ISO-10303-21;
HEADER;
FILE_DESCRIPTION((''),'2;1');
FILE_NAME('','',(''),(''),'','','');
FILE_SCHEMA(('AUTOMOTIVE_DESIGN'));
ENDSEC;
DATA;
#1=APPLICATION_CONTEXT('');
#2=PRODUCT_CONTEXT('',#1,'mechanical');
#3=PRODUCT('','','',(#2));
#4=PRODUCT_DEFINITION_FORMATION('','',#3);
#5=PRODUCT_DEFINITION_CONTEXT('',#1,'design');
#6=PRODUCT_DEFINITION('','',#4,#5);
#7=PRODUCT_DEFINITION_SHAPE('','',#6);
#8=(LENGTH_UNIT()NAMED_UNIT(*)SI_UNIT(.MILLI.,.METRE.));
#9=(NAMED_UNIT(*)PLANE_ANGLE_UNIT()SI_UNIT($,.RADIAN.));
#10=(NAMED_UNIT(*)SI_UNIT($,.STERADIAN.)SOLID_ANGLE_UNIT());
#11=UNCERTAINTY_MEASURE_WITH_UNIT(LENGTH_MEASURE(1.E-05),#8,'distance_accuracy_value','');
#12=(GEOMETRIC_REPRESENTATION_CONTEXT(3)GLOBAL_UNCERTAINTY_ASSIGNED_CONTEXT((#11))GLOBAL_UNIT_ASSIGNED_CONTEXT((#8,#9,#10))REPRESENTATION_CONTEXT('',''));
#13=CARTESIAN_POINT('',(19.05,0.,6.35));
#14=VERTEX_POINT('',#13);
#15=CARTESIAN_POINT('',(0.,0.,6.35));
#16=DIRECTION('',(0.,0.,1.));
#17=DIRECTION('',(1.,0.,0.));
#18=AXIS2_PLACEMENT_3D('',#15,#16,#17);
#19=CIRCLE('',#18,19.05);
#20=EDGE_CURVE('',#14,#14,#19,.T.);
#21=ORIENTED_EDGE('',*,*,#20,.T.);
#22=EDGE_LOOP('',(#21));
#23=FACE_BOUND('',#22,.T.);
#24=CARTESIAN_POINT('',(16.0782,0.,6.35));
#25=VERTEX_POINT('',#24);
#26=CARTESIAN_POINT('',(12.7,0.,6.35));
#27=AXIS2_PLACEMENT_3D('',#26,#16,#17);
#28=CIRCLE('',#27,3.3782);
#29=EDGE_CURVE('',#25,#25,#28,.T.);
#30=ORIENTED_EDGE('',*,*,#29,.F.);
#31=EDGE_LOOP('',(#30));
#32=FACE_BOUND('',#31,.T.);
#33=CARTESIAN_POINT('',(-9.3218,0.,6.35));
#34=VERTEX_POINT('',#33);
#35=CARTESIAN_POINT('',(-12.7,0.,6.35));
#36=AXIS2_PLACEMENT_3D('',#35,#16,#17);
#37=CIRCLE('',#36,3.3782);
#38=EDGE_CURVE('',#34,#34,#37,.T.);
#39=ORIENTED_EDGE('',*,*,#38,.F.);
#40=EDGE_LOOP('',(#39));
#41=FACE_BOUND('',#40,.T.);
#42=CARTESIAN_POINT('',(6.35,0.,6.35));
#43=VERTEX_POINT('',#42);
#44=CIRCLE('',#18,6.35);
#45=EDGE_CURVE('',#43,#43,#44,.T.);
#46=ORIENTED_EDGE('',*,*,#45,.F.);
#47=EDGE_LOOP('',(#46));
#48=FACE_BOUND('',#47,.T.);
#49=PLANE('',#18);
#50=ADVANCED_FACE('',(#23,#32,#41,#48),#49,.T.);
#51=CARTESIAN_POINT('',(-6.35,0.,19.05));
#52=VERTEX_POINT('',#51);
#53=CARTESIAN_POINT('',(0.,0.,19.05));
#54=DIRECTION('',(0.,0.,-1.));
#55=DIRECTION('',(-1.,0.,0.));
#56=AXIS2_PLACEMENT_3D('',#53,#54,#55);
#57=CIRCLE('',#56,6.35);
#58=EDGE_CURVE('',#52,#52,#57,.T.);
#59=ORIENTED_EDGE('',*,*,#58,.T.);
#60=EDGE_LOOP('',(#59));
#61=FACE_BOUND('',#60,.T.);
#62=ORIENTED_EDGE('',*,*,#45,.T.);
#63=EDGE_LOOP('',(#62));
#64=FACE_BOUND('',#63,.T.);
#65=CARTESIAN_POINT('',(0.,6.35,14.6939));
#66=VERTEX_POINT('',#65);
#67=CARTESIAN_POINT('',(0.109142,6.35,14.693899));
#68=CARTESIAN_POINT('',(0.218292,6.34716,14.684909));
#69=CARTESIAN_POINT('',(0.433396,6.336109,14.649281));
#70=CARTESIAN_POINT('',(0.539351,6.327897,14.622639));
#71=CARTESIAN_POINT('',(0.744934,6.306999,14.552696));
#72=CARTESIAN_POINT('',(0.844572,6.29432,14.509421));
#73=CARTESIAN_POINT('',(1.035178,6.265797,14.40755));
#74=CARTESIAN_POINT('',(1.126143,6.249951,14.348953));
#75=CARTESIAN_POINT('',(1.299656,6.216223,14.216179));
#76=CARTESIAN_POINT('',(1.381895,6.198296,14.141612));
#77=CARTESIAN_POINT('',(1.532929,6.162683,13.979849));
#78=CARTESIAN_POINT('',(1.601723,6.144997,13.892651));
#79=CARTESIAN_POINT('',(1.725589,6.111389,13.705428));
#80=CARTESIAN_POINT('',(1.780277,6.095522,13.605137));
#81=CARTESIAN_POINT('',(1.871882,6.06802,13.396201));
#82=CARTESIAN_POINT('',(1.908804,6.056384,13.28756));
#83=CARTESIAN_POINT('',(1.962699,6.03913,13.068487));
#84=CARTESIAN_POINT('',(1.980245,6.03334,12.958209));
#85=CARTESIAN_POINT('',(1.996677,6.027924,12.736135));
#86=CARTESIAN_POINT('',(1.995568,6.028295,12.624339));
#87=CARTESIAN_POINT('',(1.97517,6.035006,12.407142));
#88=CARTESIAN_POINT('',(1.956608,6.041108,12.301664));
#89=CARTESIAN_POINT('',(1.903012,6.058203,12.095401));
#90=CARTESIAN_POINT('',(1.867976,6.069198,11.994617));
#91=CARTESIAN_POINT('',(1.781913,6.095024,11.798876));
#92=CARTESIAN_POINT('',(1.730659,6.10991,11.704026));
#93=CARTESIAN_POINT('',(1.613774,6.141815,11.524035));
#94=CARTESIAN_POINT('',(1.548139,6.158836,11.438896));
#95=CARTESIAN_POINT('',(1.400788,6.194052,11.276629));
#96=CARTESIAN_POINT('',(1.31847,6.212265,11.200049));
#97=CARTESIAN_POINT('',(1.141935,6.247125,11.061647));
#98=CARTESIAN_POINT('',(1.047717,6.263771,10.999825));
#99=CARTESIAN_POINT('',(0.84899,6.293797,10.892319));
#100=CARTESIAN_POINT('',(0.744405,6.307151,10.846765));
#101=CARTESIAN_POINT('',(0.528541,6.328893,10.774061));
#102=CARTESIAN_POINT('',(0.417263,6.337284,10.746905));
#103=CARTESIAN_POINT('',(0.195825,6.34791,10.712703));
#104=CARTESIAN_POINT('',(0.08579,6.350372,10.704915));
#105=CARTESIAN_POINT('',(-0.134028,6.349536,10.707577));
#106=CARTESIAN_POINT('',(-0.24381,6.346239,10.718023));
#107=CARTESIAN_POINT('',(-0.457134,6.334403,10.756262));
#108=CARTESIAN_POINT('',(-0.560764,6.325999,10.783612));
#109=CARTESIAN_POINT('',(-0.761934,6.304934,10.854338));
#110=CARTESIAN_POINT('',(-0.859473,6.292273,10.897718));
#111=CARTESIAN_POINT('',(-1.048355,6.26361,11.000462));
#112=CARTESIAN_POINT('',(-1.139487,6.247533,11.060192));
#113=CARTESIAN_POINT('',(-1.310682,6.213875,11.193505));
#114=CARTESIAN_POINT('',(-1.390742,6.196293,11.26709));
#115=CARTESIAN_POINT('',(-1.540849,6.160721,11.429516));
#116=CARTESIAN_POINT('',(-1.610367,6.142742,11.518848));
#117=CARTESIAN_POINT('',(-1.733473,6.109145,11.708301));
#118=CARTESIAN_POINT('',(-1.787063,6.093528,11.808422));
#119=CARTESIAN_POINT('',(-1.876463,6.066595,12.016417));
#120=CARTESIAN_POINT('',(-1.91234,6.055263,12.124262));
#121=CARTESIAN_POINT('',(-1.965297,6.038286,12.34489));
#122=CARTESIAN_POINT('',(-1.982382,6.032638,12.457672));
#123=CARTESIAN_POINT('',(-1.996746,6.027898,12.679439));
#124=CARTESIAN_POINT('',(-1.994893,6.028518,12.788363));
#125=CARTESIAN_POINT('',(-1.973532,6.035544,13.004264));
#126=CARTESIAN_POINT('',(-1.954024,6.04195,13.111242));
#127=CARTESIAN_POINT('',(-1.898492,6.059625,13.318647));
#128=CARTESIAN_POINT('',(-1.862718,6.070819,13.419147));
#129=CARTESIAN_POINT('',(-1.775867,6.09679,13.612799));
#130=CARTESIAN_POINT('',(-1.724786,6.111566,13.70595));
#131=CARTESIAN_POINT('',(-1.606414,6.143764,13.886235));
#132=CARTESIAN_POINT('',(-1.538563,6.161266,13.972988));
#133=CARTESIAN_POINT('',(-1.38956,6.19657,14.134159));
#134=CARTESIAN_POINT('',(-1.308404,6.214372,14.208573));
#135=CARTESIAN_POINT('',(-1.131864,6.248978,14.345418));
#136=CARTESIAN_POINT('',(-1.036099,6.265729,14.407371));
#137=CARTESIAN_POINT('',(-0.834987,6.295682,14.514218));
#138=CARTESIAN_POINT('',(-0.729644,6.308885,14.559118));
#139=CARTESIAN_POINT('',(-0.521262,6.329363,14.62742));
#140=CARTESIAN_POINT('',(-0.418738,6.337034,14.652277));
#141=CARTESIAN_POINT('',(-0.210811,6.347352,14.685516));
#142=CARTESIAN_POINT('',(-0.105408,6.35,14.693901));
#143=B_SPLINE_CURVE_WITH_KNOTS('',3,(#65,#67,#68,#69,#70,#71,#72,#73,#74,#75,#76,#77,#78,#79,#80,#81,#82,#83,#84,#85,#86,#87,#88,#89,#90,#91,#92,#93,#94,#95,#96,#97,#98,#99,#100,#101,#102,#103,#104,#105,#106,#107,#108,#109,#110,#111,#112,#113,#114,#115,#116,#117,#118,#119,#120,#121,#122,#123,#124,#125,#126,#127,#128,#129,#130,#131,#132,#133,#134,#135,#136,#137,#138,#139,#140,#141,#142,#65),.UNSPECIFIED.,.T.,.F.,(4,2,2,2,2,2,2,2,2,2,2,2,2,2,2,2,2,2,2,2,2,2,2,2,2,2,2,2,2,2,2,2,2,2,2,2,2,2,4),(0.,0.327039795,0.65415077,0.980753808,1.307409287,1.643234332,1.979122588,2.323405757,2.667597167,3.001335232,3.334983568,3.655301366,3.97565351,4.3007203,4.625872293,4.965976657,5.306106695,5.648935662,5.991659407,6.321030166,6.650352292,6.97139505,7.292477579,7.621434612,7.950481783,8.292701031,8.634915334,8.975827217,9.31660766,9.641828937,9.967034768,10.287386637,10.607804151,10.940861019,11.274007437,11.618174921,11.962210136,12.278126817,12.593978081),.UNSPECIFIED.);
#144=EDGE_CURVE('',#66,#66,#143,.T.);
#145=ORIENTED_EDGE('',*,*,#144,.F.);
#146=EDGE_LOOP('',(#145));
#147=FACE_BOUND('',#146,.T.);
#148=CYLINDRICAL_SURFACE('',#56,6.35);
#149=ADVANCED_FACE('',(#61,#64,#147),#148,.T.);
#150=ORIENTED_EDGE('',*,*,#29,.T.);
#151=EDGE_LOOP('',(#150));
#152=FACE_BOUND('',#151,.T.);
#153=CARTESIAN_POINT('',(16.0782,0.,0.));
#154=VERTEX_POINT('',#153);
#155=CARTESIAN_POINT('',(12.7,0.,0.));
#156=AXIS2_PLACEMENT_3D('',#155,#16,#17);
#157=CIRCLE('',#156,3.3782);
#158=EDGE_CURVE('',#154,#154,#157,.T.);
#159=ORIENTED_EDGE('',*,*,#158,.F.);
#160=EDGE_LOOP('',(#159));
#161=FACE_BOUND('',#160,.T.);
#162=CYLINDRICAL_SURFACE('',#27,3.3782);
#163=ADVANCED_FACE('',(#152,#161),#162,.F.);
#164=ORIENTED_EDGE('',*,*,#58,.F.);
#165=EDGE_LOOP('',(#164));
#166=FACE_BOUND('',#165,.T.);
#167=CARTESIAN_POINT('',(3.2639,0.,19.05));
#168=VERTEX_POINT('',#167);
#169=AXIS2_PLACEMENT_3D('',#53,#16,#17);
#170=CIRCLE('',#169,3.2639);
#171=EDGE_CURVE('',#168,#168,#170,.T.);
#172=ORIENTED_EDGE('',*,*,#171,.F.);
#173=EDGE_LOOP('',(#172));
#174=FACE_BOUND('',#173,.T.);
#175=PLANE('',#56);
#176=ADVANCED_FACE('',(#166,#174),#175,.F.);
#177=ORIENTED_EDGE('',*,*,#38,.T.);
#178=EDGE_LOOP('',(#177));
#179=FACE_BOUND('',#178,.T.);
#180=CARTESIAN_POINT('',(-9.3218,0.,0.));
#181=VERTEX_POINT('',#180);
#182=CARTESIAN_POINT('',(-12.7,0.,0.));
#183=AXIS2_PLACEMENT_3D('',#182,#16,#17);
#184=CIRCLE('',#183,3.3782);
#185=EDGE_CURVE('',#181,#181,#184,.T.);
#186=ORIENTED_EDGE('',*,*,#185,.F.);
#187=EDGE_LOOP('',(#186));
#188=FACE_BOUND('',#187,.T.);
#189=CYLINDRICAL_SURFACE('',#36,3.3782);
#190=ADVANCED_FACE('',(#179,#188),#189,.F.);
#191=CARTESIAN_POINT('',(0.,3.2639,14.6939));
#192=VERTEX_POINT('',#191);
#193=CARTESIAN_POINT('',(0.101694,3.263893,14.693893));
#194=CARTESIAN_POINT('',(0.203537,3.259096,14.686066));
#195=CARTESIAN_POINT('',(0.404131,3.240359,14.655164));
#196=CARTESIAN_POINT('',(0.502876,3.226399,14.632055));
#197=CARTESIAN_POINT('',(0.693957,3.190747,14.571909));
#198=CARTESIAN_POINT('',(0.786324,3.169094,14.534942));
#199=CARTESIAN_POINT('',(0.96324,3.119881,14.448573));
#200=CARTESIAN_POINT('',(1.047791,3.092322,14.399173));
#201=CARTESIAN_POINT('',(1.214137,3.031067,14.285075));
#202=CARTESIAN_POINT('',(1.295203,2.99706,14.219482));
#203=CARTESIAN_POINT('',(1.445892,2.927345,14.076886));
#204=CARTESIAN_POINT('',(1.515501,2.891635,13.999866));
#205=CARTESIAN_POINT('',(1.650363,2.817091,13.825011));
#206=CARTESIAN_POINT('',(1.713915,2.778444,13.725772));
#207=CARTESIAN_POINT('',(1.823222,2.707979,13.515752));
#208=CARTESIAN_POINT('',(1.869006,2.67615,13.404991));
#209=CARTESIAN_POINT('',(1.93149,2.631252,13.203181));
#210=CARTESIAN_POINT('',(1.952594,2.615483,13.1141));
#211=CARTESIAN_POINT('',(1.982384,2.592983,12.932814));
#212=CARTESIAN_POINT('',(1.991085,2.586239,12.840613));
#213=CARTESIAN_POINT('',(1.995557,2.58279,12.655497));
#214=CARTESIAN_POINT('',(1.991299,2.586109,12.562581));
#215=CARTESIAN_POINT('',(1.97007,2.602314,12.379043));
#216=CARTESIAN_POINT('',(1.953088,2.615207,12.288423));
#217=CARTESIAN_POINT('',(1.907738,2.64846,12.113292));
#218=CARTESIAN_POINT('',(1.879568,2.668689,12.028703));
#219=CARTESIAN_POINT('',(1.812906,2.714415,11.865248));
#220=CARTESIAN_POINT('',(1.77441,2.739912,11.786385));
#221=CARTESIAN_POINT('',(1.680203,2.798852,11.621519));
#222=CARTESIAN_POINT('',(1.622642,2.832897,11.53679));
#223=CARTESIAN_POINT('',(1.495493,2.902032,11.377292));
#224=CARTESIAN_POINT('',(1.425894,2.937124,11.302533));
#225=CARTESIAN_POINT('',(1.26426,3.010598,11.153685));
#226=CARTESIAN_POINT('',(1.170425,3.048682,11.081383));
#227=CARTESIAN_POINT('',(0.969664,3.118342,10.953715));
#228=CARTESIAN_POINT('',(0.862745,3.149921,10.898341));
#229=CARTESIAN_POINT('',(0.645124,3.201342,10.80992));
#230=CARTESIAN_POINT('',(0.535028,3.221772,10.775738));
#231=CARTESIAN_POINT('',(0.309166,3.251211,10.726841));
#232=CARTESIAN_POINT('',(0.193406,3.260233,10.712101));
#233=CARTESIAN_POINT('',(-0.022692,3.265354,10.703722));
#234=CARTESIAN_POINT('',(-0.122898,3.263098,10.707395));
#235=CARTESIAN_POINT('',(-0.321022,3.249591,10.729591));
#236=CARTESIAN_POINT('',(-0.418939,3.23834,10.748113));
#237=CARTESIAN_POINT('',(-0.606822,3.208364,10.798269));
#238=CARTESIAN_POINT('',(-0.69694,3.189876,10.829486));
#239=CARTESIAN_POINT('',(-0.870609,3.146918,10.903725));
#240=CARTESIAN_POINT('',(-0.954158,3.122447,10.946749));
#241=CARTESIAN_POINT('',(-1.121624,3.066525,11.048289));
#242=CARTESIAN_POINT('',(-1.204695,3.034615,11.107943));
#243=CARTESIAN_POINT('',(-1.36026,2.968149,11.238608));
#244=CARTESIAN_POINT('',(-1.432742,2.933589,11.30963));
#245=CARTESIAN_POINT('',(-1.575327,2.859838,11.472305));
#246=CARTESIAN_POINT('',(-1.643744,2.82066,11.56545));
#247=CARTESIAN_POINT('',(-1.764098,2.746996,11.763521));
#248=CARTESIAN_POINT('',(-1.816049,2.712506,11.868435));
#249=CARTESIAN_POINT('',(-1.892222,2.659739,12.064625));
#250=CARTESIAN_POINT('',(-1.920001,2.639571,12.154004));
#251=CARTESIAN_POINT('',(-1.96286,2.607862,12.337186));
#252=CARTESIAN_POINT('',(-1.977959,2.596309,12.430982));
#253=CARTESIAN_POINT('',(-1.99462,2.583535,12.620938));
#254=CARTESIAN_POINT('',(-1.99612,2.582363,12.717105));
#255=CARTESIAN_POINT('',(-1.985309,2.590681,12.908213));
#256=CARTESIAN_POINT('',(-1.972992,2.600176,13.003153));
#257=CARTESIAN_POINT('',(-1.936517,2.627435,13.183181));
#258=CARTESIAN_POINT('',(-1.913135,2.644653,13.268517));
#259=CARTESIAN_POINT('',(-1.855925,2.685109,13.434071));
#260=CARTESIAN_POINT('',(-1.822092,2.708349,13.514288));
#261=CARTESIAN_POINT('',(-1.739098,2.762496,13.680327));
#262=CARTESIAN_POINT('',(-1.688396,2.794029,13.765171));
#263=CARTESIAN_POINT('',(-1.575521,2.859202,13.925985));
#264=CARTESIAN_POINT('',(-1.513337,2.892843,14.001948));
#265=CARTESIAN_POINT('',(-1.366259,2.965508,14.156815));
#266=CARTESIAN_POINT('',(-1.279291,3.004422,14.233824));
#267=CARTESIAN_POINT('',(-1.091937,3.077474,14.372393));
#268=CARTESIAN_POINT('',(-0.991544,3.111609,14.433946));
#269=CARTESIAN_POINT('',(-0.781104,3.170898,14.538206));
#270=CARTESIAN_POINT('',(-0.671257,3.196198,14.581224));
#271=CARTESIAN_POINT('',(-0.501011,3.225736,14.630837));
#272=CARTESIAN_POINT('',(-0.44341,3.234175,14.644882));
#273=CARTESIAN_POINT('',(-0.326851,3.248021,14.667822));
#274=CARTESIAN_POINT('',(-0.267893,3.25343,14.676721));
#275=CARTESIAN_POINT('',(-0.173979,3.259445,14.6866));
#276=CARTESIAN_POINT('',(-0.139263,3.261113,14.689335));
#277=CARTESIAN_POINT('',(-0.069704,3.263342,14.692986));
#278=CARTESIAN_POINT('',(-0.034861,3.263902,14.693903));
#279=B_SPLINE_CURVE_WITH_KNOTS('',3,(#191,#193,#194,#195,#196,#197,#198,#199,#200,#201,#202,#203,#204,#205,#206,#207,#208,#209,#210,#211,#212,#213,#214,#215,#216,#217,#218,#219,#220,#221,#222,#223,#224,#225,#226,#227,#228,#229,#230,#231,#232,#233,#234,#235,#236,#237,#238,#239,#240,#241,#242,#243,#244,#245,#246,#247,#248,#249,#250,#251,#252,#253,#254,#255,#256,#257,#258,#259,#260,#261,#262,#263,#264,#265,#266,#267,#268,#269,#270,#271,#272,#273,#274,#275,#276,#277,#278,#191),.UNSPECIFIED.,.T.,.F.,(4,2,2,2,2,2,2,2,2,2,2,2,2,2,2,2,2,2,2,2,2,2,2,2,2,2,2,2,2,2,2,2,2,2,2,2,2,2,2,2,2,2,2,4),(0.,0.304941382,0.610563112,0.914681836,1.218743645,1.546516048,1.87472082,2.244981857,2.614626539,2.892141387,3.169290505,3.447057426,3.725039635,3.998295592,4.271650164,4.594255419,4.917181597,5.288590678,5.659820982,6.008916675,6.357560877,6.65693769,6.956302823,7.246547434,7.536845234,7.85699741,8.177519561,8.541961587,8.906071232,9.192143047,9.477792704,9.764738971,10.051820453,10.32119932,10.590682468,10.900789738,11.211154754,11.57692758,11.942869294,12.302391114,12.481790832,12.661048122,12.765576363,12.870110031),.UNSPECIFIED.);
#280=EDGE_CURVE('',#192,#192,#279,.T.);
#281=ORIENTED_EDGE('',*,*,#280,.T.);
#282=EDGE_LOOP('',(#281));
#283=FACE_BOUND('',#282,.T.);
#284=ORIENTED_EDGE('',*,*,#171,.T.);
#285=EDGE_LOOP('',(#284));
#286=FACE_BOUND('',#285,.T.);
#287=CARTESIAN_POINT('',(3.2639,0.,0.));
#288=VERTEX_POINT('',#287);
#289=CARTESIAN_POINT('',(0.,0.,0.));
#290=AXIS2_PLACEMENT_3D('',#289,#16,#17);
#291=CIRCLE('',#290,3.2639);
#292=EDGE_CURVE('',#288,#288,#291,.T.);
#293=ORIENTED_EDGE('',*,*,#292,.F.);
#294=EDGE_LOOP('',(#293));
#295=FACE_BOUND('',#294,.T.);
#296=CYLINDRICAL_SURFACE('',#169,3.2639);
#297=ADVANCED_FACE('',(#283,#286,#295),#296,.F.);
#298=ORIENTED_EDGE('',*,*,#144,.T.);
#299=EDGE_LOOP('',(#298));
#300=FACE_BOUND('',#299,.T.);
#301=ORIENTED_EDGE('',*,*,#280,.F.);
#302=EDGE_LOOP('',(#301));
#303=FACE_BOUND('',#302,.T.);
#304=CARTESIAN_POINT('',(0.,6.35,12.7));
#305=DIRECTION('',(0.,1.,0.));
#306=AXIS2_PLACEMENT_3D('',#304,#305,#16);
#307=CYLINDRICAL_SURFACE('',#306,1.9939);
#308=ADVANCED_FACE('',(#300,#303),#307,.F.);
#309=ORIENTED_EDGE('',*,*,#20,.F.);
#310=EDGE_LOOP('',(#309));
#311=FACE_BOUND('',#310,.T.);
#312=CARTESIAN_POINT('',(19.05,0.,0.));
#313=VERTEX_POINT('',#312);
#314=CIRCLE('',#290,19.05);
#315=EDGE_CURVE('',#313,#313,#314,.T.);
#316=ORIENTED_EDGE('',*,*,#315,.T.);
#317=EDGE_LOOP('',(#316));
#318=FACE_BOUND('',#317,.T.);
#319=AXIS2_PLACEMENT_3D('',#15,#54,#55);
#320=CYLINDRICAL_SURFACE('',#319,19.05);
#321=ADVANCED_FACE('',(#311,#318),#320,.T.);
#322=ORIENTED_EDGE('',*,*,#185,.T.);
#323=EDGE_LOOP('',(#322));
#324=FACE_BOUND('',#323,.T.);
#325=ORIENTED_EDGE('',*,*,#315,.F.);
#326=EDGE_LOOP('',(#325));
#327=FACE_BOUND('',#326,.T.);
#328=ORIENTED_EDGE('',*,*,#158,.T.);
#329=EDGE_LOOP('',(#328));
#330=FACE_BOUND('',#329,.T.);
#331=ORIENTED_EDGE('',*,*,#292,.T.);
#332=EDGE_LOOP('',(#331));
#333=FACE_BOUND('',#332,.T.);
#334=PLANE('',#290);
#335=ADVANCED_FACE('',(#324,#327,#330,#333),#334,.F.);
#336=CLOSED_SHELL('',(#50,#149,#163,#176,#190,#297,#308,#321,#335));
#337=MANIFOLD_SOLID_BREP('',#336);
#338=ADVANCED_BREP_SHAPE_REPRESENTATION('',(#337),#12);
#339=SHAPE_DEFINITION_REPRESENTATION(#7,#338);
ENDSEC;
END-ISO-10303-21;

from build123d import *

# Parameters (mm, degrees)
SKETCH1_R                  = 19.05
BOSS_EXTRUDE1_DEPTH        = 6.35
SKETCH2_R                  = 6.35
BOSS_EXTRUDE2_DEPTH        = 19.05
F_0_257_DIAMETER_HOLE1_D   = 6.5278
F_10_24_TAPPED_HOLE3_D     = 3.9878
F_10_24_TAPPED_HOLE3_DEPTH = 6.349
F_10_24_TAPPED_HOLE3_TIP   = 1.198055988
H_0_266_DIAMETER_HOLE1_D   = 6.7564


with BuildPart() as part:
    # Sketch1 → Boss-Extrude1 (new body)
    with BuildSketch(Plane.XY):
        Circle(SKETCH1_R)
    extrude(amount=BOSS_EXTRUDE1_DEPTH)

    # Sketch2 → Boss-Extrude2 (add)
    with BuildSketch(Plane(origin=(0, 0, 0), x_dir=(-1, 0, 0), z_dir=(0, 0, -1))):
        Circle(SKETCH2_R)
    extrude(amount=-BOSS_EXTRUDE2_DEPTH)

    # F (0.257) Diameter Hole1 (through all)
    with Locations(Plane.XY.offset(19.05)):
        with Locations((0, 0)):
            Hole(F_0_257_DIAMETER_HOLE1_D / 2)

    # #10-24 Tapped Hole3
    with Locations(Plane(origin=(0, 6.35, 12.7), x_dir=(0, 0, 1), z_dir=(0, 1, 0))):
        with Locations((0, 0)):
            Hole(F_10_24_TAPPED_HOLE3_D / 2, depth=F_10_24_TAPPED_HOLE3_DEPTH)
            with Locations((0, 0, -(F_10_24_TAPPED_HOLE3_DEPTH + F_10_24_TAPPED_HOLE3_TIP / 2))):  # 118° drill point
                Cone(0, F_10_24_TAPPED_HOLE3_D / 2, F_10_24_TAPPED_HOLE3_TIP, mode=Mode.SUBTRACT)

    # H (0.266) Diameter Hole1 (through all)
    with Locations(Plane.XY.offset(6.35)):
        with Locations((-12.7, 0), (12.7, 0)):
            Hole(H_0_266_DIAMETER_HOLE1_D / 2)


solid = part.part
